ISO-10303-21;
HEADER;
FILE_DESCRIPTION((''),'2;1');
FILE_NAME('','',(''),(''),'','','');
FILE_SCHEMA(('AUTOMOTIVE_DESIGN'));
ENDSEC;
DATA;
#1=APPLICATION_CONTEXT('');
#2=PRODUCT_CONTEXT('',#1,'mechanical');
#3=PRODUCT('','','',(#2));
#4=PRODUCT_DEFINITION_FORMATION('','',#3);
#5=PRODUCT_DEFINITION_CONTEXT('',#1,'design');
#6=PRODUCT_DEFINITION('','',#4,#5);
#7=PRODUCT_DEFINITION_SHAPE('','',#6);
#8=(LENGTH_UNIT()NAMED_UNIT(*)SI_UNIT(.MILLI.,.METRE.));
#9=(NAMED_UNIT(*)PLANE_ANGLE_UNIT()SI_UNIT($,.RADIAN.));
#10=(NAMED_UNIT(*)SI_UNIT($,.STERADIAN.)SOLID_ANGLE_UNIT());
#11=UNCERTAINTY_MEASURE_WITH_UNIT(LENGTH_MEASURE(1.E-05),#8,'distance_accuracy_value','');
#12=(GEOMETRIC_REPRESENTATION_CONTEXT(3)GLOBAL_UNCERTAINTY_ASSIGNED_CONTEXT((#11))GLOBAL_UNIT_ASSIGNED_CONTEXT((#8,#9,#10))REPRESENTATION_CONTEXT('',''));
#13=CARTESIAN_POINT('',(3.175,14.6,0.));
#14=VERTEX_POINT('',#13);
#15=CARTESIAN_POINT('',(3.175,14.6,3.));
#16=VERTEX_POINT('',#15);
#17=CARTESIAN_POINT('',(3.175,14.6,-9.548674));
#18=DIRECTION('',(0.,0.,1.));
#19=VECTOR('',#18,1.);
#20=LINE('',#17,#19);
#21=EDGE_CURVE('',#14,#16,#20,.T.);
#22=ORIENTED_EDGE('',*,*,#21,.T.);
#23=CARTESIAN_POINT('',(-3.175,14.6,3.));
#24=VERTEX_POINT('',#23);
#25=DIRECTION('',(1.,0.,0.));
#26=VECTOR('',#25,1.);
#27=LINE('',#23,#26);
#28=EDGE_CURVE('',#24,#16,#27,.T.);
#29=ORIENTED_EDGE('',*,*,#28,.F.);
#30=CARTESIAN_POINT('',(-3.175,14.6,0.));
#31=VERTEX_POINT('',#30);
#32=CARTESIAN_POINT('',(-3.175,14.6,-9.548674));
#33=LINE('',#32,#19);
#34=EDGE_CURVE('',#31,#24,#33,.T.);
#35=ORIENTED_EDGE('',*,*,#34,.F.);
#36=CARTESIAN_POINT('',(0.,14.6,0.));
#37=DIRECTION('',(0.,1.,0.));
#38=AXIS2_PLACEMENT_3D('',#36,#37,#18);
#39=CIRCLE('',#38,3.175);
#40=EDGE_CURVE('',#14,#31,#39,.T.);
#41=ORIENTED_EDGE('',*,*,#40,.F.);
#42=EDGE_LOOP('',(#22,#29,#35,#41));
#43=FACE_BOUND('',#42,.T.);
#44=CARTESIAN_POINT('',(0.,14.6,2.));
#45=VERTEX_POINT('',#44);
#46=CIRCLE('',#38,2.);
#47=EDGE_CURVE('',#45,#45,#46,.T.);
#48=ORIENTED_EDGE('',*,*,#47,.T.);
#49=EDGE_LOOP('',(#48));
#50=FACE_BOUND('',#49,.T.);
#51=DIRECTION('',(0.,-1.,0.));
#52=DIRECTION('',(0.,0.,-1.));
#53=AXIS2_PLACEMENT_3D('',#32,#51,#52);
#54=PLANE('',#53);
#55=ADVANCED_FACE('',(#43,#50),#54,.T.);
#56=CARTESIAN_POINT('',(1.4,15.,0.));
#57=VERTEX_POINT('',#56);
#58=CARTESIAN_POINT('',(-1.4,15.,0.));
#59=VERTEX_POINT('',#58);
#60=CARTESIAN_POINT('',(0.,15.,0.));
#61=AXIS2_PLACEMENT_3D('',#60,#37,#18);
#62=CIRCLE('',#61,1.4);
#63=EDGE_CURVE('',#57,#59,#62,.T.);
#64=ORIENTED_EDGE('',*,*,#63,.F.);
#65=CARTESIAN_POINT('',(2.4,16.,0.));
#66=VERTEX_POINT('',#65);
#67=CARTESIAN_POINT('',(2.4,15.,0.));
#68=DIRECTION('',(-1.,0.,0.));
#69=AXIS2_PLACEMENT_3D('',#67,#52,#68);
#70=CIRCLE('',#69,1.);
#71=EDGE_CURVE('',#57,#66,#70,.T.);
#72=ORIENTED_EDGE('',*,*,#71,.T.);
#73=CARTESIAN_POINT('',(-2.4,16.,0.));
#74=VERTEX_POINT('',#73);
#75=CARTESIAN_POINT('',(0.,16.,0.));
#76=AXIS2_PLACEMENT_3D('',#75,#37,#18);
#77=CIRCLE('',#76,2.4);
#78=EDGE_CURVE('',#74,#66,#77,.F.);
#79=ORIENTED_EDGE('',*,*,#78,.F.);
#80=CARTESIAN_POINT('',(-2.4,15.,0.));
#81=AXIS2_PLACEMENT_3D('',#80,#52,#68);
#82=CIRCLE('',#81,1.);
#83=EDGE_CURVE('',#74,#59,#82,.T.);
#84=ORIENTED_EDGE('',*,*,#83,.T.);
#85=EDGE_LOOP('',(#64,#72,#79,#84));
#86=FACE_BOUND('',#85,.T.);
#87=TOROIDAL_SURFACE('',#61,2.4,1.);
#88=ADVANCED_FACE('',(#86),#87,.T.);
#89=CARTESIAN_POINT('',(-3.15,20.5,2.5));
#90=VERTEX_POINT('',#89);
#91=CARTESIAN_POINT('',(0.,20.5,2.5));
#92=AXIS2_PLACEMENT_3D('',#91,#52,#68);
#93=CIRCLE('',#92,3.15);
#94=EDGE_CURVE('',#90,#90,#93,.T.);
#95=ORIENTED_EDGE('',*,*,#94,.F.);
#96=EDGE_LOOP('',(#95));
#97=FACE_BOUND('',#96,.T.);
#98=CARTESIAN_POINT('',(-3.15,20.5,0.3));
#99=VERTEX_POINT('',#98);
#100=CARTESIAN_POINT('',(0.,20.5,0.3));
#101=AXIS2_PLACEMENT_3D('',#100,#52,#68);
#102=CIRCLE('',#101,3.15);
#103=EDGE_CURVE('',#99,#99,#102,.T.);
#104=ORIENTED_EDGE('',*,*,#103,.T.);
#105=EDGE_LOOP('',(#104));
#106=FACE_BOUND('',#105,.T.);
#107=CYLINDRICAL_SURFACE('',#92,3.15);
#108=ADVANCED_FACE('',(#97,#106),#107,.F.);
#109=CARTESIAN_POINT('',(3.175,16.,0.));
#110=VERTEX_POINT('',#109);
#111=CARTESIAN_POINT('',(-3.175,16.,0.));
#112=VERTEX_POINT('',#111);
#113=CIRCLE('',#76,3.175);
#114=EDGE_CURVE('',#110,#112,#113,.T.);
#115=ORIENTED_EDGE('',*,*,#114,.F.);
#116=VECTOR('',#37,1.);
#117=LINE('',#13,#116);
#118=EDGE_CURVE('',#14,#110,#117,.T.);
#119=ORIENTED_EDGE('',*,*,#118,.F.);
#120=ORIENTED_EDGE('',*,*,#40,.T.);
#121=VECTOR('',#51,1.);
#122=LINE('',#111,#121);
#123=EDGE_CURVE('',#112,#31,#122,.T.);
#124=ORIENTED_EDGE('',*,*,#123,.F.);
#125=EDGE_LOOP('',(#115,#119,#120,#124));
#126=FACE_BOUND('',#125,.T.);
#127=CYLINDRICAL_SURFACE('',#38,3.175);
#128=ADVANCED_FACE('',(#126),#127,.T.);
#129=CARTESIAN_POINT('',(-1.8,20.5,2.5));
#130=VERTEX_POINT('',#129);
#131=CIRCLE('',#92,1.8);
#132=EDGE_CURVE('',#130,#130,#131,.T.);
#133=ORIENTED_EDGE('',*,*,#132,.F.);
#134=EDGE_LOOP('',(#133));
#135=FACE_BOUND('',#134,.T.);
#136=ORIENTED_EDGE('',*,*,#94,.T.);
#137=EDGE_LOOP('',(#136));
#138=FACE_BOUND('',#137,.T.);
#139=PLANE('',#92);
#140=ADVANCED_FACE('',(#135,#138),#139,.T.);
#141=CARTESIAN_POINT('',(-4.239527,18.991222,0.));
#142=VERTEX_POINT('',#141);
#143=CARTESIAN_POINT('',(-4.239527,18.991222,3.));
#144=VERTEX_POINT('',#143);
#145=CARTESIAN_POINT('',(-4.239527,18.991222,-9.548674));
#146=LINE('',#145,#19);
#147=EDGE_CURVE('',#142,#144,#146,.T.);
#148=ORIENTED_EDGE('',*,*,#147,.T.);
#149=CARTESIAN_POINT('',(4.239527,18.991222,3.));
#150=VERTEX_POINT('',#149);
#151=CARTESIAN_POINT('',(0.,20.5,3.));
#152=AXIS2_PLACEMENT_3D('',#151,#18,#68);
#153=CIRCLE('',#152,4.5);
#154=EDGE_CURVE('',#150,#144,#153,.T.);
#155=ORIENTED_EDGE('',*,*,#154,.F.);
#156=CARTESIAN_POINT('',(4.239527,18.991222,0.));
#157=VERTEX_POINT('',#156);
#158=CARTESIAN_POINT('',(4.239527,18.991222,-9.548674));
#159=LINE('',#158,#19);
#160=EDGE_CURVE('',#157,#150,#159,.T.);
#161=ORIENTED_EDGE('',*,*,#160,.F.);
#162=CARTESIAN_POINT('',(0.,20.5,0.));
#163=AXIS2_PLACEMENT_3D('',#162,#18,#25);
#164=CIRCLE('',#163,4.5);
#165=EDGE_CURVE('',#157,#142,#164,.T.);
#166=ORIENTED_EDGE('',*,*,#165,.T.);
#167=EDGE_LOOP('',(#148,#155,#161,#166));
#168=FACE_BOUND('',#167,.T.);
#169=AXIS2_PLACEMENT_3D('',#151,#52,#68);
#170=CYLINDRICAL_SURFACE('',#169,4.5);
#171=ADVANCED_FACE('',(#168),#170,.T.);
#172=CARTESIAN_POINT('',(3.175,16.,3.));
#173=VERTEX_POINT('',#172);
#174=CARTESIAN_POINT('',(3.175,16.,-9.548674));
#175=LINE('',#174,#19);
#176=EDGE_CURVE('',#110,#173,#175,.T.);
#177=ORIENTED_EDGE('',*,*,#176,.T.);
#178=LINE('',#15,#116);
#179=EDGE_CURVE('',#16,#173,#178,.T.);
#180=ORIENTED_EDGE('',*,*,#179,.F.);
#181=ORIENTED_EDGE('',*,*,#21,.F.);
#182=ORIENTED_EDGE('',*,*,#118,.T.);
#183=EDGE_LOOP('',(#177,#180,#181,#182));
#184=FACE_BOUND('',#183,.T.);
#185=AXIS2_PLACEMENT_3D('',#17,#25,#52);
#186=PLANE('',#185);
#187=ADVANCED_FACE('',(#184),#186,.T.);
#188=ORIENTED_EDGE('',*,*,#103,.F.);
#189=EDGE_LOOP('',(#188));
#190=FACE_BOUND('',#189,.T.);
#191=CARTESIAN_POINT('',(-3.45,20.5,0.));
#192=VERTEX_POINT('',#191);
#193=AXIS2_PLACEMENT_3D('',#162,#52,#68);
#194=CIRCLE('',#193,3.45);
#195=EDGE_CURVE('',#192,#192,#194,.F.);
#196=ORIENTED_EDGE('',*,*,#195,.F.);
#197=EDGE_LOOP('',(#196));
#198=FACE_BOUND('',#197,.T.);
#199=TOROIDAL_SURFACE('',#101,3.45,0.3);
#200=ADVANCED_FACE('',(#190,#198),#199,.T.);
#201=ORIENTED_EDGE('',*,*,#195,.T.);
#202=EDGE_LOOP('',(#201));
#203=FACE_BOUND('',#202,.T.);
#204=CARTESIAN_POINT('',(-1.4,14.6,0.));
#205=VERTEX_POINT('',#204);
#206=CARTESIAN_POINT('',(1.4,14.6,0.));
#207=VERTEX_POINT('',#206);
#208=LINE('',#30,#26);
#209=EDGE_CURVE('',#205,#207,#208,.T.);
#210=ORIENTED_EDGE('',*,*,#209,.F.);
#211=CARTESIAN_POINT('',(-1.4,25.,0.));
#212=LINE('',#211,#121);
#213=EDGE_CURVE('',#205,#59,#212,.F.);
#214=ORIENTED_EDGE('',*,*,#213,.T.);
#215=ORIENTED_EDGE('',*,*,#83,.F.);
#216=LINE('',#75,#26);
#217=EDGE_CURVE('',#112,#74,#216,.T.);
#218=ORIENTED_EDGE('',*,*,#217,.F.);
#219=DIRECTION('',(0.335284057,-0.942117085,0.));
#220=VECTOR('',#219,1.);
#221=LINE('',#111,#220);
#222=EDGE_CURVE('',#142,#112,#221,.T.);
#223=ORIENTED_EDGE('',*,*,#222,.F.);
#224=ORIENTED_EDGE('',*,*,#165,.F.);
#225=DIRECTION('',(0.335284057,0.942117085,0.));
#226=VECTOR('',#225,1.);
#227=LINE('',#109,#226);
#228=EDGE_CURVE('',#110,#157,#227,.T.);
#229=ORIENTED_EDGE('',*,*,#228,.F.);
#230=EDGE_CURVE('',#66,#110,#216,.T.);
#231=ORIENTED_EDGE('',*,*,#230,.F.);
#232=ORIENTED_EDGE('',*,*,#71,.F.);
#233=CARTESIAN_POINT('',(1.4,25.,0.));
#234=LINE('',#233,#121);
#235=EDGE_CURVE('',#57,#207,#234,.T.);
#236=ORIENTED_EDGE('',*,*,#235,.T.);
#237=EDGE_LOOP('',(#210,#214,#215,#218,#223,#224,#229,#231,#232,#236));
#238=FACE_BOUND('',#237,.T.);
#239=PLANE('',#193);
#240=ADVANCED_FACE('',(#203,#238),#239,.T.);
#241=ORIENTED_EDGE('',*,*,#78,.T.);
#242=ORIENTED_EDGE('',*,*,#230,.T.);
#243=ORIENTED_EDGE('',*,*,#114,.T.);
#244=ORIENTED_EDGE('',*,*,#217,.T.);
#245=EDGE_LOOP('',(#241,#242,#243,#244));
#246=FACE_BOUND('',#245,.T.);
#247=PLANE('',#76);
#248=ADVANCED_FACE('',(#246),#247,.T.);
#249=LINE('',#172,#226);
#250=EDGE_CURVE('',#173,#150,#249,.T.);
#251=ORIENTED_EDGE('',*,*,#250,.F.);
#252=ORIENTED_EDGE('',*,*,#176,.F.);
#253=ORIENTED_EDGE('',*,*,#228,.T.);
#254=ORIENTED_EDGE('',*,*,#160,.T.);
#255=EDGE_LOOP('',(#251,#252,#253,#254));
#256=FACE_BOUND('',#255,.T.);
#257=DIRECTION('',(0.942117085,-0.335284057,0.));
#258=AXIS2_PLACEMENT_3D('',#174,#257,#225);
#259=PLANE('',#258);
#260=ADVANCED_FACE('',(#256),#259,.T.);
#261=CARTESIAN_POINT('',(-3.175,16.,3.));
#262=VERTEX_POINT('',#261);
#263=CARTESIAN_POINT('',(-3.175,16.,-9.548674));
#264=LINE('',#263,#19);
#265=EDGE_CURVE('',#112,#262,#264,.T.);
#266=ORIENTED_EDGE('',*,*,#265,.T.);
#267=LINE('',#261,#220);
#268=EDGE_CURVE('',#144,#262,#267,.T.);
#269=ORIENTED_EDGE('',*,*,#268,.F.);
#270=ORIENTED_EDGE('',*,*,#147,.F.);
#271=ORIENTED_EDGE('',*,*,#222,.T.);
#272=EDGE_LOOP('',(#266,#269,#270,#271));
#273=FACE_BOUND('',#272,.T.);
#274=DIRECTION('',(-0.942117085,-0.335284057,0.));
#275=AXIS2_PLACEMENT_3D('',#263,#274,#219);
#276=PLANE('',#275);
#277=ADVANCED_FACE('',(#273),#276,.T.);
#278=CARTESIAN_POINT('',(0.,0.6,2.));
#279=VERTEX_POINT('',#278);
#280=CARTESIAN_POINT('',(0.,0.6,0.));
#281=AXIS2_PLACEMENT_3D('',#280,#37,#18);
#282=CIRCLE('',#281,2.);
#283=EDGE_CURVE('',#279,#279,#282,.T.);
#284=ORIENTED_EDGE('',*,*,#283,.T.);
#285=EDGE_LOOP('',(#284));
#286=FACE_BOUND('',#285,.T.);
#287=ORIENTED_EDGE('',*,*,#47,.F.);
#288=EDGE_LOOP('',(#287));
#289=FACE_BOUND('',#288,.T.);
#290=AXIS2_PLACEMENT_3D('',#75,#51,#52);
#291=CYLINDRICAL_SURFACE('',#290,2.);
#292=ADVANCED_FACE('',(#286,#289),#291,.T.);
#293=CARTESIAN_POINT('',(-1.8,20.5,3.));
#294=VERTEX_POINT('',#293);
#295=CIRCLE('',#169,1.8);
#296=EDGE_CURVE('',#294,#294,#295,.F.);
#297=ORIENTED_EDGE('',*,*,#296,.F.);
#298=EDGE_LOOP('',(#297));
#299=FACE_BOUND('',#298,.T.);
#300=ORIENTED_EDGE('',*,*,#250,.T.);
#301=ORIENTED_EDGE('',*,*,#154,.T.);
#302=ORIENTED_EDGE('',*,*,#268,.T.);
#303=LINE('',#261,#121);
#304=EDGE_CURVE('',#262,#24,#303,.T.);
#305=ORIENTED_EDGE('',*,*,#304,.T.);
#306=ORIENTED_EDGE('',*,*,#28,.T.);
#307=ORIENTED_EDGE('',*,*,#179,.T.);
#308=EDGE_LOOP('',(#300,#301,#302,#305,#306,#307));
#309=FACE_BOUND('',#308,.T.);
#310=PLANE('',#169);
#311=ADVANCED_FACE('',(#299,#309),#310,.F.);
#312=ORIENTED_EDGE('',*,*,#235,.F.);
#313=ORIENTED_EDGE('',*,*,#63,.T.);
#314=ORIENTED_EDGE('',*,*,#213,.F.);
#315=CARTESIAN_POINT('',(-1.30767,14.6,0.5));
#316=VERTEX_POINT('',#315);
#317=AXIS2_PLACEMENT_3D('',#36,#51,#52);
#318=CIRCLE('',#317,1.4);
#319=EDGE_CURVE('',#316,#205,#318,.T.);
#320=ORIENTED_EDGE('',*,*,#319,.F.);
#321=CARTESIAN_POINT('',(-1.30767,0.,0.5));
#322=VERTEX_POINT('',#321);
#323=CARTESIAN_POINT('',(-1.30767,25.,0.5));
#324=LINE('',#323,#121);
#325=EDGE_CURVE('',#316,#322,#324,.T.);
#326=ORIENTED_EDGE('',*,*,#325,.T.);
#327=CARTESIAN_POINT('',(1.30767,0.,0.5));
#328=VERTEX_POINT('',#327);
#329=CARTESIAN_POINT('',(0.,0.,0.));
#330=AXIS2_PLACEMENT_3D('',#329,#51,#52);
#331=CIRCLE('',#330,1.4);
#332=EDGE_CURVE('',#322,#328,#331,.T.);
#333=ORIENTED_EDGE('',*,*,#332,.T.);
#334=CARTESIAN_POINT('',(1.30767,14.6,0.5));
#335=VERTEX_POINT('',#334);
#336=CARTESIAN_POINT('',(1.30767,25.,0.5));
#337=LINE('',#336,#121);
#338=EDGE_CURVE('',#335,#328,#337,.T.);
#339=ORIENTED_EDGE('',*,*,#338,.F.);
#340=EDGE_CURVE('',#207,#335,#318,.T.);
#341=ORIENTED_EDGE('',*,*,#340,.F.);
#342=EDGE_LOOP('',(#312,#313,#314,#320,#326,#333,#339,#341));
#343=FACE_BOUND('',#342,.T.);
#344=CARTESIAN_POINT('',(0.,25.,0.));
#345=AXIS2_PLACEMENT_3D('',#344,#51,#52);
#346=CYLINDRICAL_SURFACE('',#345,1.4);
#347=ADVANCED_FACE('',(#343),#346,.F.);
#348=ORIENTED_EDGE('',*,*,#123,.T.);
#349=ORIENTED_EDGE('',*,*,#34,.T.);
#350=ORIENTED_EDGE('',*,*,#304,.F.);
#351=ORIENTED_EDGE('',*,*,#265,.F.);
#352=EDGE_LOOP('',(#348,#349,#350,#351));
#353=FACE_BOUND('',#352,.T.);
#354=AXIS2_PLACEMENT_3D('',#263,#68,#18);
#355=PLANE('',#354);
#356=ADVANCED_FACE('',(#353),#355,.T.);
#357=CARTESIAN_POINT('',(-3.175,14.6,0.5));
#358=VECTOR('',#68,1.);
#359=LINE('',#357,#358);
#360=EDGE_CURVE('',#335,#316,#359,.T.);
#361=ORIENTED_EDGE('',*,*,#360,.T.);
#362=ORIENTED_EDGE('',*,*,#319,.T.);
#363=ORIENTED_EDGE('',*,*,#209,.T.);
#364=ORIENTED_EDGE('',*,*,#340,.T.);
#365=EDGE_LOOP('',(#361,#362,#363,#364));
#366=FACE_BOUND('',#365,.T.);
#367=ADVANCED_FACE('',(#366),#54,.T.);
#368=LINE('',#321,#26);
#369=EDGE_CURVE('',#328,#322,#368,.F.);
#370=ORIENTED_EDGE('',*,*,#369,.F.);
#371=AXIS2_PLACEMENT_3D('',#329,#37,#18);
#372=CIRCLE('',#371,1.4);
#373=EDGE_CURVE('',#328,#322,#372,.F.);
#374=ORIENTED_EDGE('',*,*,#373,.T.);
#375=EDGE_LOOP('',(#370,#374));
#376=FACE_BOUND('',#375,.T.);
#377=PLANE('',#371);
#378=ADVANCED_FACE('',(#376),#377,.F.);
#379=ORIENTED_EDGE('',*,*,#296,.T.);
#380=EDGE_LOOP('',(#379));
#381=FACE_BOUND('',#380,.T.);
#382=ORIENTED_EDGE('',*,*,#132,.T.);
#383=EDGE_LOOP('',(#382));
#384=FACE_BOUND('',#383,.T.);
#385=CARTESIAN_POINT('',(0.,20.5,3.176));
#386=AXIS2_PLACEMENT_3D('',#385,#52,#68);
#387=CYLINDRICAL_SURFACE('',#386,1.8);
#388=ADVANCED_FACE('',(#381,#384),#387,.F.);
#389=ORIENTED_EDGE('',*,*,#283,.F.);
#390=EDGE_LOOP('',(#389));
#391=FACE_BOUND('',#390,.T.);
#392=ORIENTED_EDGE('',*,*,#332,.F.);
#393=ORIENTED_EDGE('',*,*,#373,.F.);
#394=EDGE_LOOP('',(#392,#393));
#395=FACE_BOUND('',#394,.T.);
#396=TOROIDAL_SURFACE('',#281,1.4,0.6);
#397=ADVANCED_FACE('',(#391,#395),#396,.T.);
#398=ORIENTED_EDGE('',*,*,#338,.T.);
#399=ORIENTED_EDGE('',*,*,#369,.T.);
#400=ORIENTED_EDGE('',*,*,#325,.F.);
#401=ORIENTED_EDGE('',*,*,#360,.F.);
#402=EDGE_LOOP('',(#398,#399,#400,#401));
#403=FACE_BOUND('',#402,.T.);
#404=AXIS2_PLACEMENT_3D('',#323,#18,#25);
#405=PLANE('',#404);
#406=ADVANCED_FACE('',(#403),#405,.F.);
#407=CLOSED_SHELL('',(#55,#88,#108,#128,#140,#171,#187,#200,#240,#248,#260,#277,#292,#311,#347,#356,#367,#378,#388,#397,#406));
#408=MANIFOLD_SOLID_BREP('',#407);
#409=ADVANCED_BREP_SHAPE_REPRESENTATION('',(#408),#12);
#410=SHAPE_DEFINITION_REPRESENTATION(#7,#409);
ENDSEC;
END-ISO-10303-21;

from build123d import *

# Parameters (mm, degrees)
SKETCH_1_R               = 2
EXTRUDE_1_DEPTH          = 16
EXTRUDE_2_DEPTH          = 3
SKETCH_4_R               = 3.15
CUT_EXTRUDE_6_DEPTH      = 2.5
FILLET_3_R               = 0.6
SKETCH_7_R               = 3.175
EXTRUDE_3_DEPTH          = 1.4
CUT_EXTRUDE_9_DEPTH      = 1
CUT_EXTRUDE_9_DEPTH_BACK = 26
FILLET_6_R               = 1
EXTRUDE_5_DEPTH          = 3
FILLET_7_R               = 0.3
CUT_EXTRUDE_10_REACH     = 2.675
SKETCH_13_R              = 1.8
CUT_EXTRUDE_11_REACH     = 18
SKETCH_14_W              = 2.079062288
SKETCH_14_H              = 0.49177122


with BuildPart() as part:
    # 草图1 → 凸台-拉伸1 (new body)
    with BuildSketch(Plane(origin=(0, 0, 0), x_dir=(1, 0, 0), z_dir=(0, 1, 0))):
        Circle(SKETCH_1_R)
    extrude(amount=EXTRUDE_1_DEPTH)

    # 圆角3
    fillet_3_edges = [part.edges().sort_by_distance(p)[0] for p in [
        (-2, 0, 0),
    ]]
    fillet(fillet_3_edges, radius=FILLET_3_R)

    # 草图7 → 凸台-拉伸3 (add)
    with BuildSketch(Plane(origin=(0, 16, 0), x_dir=(1, 0, 0), z_dir=(0, 1, 0))):
        Circle(SKETCH_7_R)
    extrude(amount=-EXTRUDE_3_DEPTH)

    # 草图10 → 切除-拉伸9 (cut, two sides)
    with BuildSketch(Plane.XZ) as cut_extrude_9_sk:
        with BuildLine():
            Line((-1.307669683, 0.5), (1.307669683, 0.5))
            ThreePointArc((1.307669683, 0.5), (0, -1.4), (-1.307669683, 0.5))
        make_face()
    extrude(amount=CUT_EXTRUDE_9_DEPTH, mode=Mode.SUBTRACT)
    extrude(cut_extrude_9_sk.sketch, amount=-CUT_EXTRUDE_9_DEPTH_BACK, mode=Mode.SUBTRACT)

    # 圆角6
    fillet_6_edges = [part.edges().sort_by_distance(p)[0] for p in [
        (0, 16, -1.4),
    ]]
    fillet(fillet_6_edges, radius=FILLET_6_R)



with BuildPart() as body_2:
    # 草图2 → 凸台-拉伸2 (new body)
    with BuildSketch(Plane.XY):
        with BuildLine():
            ThreePointArc((4.245738578, 21.991208882), (-3.671541908, 23.101880092), (0, 16))
            ThreePointArc((0, 16), (3.671541908, 17.898119908), (4.245738578, 21.991208882))
        make_face()
    extrude(amount=EXTRUDE_2_DEPTH)

    # 草图4 → 切除-拉伸6 (cut)
    with BuildSketch(Plane(origin=(0, 0, 0), x_dir=(-1, 0, 0), z_dir=(0, 0, -1))):
        with Locations((0, 20.5)):
            Circle(SKETCH_4_R)
    extrude(amount=-CUT_EXTRUDE_6_DEPTH, mode=Mode.SUBTRACT)


with BuildPart() as part_1:
    add(part.part)

    add(body_2.part)  # 凸台-拉伸5 merges body 2
    # 草图12 → 凸台-拉伸5 (add)
    with BuildSketch(Plane.XY.offset(3)):
        with BuildLine():
            Line((-3.175, 16), (-4.239526881, 18.991221744))
            ThreePointArc((-4.239526881, 18.991221744), (0, 16), (4.239526881, 18.991221744))
            Line((4.239526881, 18.991221744), (3.175, 16))
            Line((3.175, 16), (3.175, 14.6))
            Line((3.175, 14.6), (-3.175, 14.6))
            Line((-3.175, 14.6), (-3.175, 16))
        make_face()
    extrude(amount=-EXTRUDE_5_DEPTH)

    # 圆角7
    fillet_7_edges = [part_1.edges().sort_by_distance(p)[0] for p in [
        (3.15, 20.5, 0),
    ]]
    fillet(fillet_7_edges, radius=FILLET_7_R)

    # 草图13 → 切除-拉伸10 (cut, up to next)
    with BuildSketch(Plane(origin=(0, 0, 2.5), x_dir=(-1, 0, 0), z_dir=(0, 0, -1)), mode=Mode.PRIVATE) as cut_extrude_10_sk1:
        with Locations((0, 20.5)):
            Circle(SKETCH_13_R)
    cut_extrude_10_tool1 = extrude(cut_extrude_10_sk1.sketch, amount=-CUT_EXTRUDE_10_REACH, mode=Mode.PRIVATE) & part_1.part
    add(cut_extrude_10_tool1.solids().sort_by_distance((0, 20.5, 2.5))[0], mode=Mode.SUBTRACT)

    # 草图14 → 切除-拉伸11 (cut, up to next)
    with BuildSketch(Plane(origin=(0, 16, 0), x_dir=(1, 0, 0), z_dir=(0, 1, 0)), mode=Mode.PRIVATE) as cut_extrude_11_sk1:
        with Locations((0, -3.24588561)):
            Rectangle(SKETCH_14_W, SKETCH_14_H)
    cut_extrude_11_tool1 = extrude(cut_extrude_11_sk1.sketch, amount=-CUT_EXTRUDE_11_REACH, mode=Mode.PRIVATE) & part_1.part
    add(cut_extrude_11_tool1.solids().sort_by_distance((0, 16, 3.245886))[0], mode=Mode.SUBTRACT)


solid = part_1.part
